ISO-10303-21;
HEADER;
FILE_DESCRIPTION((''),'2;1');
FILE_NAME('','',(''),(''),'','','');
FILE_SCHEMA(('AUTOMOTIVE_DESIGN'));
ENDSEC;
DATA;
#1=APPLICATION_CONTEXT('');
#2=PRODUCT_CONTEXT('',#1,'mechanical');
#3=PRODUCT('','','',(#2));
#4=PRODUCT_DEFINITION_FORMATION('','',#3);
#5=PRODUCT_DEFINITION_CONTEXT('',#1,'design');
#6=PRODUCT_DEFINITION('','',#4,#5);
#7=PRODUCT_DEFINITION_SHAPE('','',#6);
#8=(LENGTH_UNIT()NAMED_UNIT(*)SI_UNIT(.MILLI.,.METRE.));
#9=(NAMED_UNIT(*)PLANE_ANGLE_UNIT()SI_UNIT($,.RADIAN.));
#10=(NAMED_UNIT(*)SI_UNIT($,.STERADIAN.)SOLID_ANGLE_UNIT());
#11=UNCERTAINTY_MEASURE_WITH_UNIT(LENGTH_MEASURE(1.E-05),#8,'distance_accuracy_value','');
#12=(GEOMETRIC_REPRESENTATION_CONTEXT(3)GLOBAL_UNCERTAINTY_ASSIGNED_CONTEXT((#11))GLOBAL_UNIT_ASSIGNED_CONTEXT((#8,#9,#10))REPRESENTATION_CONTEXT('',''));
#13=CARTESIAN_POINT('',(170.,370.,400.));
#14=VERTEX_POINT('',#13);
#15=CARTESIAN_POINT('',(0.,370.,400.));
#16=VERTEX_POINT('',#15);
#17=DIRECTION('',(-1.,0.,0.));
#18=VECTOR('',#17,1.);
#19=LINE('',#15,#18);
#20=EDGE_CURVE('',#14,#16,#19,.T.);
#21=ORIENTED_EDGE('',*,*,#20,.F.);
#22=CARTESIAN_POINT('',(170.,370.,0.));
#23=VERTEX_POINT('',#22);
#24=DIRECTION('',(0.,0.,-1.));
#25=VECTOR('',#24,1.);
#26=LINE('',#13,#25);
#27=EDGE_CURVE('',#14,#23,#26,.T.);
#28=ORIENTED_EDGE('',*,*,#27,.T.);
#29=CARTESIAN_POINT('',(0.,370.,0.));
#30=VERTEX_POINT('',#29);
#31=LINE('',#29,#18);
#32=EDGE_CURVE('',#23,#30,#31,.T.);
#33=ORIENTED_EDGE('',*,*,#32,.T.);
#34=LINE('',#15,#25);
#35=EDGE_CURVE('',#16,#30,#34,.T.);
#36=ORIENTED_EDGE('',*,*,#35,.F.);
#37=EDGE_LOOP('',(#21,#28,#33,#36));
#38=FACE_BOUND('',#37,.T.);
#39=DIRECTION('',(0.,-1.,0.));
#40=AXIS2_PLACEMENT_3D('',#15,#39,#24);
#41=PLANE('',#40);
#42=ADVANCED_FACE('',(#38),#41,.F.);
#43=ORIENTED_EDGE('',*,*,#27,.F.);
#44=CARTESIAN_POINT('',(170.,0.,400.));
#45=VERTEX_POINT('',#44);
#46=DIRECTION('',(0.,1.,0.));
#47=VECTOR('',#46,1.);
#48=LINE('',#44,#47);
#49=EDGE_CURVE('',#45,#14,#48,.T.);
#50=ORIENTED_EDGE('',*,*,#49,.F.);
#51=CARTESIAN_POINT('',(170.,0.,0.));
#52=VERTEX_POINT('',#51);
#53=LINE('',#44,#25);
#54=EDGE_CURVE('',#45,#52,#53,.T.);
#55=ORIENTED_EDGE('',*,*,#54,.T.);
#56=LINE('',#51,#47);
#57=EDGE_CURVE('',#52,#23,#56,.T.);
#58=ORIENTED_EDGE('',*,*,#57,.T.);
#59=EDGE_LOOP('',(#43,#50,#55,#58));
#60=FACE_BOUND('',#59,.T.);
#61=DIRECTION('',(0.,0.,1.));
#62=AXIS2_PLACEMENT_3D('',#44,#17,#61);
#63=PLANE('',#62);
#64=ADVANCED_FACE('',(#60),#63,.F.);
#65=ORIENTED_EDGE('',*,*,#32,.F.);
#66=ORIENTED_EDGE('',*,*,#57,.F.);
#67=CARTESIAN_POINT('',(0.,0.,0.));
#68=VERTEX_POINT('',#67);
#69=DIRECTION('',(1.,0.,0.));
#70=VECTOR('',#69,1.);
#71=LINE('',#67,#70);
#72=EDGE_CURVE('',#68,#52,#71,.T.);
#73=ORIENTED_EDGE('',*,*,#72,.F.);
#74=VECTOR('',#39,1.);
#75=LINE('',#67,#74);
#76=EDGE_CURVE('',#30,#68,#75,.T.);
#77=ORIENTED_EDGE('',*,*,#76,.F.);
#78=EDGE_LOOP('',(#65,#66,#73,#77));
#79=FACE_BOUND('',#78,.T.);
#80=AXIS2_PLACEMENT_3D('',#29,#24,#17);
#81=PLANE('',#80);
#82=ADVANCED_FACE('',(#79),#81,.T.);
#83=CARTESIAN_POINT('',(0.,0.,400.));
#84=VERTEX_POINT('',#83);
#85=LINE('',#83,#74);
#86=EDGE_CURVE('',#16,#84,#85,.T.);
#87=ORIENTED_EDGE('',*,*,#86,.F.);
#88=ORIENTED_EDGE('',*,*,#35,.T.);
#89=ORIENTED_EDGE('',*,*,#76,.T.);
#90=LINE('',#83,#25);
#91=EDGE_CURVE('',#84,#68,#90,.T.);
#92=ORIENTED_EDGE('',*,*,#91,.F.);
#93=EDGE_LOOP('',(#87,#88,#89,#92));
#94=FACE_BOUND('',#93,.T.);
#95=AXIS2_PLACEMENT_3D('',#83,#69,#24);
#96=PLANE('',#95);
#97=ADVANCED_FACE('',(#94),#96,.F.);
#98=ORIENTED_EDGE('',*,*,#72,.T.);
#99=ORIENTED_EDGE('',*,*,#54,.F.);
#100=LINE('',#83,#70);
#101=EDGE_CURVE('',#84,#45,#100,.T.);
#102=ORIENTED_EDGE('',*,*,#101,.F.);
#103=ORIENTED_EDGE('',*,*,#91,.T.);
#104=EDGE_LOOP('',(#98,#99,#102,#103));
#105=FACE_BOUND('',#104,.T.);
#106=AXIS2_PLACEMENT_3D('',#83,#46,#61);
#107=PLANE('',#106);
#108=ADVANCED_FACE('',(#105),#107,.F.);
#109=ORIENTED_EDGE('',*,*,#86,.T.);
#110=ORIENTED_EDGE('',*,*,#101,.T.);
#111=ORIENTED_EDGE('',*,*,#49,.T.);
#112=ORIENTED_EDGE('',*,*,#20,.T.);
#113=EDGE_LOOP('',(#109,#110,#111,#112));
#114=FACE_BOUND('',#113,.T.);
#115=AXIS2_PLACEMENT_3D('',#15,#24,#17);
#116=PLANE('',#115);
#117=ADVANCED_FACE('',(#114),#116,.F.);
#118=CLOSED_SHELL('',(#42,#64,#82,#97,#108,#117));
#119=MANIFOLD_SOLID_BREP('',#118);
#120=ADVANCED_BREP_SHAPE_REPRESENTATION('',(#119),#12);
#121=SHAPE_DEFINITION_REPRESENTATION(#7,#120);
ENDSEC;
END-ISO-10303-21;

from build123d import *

# Parameters (mm, degrees)
SKETCH1_W      = 170
SKETCH1_H      = 370
EXTRUDE1_DEPTH = 400


with BuildPart() as part:
    # Sketch1 → Extrude1 (new body)
    with BuildSketch(Plane.XY):
        with Locations((85, 185)):
            Rectangle(SKETCH1_W, SKETCH1_H)
    extrude(amount=EXTRUDE1_DEPTH)


solid = part.part
